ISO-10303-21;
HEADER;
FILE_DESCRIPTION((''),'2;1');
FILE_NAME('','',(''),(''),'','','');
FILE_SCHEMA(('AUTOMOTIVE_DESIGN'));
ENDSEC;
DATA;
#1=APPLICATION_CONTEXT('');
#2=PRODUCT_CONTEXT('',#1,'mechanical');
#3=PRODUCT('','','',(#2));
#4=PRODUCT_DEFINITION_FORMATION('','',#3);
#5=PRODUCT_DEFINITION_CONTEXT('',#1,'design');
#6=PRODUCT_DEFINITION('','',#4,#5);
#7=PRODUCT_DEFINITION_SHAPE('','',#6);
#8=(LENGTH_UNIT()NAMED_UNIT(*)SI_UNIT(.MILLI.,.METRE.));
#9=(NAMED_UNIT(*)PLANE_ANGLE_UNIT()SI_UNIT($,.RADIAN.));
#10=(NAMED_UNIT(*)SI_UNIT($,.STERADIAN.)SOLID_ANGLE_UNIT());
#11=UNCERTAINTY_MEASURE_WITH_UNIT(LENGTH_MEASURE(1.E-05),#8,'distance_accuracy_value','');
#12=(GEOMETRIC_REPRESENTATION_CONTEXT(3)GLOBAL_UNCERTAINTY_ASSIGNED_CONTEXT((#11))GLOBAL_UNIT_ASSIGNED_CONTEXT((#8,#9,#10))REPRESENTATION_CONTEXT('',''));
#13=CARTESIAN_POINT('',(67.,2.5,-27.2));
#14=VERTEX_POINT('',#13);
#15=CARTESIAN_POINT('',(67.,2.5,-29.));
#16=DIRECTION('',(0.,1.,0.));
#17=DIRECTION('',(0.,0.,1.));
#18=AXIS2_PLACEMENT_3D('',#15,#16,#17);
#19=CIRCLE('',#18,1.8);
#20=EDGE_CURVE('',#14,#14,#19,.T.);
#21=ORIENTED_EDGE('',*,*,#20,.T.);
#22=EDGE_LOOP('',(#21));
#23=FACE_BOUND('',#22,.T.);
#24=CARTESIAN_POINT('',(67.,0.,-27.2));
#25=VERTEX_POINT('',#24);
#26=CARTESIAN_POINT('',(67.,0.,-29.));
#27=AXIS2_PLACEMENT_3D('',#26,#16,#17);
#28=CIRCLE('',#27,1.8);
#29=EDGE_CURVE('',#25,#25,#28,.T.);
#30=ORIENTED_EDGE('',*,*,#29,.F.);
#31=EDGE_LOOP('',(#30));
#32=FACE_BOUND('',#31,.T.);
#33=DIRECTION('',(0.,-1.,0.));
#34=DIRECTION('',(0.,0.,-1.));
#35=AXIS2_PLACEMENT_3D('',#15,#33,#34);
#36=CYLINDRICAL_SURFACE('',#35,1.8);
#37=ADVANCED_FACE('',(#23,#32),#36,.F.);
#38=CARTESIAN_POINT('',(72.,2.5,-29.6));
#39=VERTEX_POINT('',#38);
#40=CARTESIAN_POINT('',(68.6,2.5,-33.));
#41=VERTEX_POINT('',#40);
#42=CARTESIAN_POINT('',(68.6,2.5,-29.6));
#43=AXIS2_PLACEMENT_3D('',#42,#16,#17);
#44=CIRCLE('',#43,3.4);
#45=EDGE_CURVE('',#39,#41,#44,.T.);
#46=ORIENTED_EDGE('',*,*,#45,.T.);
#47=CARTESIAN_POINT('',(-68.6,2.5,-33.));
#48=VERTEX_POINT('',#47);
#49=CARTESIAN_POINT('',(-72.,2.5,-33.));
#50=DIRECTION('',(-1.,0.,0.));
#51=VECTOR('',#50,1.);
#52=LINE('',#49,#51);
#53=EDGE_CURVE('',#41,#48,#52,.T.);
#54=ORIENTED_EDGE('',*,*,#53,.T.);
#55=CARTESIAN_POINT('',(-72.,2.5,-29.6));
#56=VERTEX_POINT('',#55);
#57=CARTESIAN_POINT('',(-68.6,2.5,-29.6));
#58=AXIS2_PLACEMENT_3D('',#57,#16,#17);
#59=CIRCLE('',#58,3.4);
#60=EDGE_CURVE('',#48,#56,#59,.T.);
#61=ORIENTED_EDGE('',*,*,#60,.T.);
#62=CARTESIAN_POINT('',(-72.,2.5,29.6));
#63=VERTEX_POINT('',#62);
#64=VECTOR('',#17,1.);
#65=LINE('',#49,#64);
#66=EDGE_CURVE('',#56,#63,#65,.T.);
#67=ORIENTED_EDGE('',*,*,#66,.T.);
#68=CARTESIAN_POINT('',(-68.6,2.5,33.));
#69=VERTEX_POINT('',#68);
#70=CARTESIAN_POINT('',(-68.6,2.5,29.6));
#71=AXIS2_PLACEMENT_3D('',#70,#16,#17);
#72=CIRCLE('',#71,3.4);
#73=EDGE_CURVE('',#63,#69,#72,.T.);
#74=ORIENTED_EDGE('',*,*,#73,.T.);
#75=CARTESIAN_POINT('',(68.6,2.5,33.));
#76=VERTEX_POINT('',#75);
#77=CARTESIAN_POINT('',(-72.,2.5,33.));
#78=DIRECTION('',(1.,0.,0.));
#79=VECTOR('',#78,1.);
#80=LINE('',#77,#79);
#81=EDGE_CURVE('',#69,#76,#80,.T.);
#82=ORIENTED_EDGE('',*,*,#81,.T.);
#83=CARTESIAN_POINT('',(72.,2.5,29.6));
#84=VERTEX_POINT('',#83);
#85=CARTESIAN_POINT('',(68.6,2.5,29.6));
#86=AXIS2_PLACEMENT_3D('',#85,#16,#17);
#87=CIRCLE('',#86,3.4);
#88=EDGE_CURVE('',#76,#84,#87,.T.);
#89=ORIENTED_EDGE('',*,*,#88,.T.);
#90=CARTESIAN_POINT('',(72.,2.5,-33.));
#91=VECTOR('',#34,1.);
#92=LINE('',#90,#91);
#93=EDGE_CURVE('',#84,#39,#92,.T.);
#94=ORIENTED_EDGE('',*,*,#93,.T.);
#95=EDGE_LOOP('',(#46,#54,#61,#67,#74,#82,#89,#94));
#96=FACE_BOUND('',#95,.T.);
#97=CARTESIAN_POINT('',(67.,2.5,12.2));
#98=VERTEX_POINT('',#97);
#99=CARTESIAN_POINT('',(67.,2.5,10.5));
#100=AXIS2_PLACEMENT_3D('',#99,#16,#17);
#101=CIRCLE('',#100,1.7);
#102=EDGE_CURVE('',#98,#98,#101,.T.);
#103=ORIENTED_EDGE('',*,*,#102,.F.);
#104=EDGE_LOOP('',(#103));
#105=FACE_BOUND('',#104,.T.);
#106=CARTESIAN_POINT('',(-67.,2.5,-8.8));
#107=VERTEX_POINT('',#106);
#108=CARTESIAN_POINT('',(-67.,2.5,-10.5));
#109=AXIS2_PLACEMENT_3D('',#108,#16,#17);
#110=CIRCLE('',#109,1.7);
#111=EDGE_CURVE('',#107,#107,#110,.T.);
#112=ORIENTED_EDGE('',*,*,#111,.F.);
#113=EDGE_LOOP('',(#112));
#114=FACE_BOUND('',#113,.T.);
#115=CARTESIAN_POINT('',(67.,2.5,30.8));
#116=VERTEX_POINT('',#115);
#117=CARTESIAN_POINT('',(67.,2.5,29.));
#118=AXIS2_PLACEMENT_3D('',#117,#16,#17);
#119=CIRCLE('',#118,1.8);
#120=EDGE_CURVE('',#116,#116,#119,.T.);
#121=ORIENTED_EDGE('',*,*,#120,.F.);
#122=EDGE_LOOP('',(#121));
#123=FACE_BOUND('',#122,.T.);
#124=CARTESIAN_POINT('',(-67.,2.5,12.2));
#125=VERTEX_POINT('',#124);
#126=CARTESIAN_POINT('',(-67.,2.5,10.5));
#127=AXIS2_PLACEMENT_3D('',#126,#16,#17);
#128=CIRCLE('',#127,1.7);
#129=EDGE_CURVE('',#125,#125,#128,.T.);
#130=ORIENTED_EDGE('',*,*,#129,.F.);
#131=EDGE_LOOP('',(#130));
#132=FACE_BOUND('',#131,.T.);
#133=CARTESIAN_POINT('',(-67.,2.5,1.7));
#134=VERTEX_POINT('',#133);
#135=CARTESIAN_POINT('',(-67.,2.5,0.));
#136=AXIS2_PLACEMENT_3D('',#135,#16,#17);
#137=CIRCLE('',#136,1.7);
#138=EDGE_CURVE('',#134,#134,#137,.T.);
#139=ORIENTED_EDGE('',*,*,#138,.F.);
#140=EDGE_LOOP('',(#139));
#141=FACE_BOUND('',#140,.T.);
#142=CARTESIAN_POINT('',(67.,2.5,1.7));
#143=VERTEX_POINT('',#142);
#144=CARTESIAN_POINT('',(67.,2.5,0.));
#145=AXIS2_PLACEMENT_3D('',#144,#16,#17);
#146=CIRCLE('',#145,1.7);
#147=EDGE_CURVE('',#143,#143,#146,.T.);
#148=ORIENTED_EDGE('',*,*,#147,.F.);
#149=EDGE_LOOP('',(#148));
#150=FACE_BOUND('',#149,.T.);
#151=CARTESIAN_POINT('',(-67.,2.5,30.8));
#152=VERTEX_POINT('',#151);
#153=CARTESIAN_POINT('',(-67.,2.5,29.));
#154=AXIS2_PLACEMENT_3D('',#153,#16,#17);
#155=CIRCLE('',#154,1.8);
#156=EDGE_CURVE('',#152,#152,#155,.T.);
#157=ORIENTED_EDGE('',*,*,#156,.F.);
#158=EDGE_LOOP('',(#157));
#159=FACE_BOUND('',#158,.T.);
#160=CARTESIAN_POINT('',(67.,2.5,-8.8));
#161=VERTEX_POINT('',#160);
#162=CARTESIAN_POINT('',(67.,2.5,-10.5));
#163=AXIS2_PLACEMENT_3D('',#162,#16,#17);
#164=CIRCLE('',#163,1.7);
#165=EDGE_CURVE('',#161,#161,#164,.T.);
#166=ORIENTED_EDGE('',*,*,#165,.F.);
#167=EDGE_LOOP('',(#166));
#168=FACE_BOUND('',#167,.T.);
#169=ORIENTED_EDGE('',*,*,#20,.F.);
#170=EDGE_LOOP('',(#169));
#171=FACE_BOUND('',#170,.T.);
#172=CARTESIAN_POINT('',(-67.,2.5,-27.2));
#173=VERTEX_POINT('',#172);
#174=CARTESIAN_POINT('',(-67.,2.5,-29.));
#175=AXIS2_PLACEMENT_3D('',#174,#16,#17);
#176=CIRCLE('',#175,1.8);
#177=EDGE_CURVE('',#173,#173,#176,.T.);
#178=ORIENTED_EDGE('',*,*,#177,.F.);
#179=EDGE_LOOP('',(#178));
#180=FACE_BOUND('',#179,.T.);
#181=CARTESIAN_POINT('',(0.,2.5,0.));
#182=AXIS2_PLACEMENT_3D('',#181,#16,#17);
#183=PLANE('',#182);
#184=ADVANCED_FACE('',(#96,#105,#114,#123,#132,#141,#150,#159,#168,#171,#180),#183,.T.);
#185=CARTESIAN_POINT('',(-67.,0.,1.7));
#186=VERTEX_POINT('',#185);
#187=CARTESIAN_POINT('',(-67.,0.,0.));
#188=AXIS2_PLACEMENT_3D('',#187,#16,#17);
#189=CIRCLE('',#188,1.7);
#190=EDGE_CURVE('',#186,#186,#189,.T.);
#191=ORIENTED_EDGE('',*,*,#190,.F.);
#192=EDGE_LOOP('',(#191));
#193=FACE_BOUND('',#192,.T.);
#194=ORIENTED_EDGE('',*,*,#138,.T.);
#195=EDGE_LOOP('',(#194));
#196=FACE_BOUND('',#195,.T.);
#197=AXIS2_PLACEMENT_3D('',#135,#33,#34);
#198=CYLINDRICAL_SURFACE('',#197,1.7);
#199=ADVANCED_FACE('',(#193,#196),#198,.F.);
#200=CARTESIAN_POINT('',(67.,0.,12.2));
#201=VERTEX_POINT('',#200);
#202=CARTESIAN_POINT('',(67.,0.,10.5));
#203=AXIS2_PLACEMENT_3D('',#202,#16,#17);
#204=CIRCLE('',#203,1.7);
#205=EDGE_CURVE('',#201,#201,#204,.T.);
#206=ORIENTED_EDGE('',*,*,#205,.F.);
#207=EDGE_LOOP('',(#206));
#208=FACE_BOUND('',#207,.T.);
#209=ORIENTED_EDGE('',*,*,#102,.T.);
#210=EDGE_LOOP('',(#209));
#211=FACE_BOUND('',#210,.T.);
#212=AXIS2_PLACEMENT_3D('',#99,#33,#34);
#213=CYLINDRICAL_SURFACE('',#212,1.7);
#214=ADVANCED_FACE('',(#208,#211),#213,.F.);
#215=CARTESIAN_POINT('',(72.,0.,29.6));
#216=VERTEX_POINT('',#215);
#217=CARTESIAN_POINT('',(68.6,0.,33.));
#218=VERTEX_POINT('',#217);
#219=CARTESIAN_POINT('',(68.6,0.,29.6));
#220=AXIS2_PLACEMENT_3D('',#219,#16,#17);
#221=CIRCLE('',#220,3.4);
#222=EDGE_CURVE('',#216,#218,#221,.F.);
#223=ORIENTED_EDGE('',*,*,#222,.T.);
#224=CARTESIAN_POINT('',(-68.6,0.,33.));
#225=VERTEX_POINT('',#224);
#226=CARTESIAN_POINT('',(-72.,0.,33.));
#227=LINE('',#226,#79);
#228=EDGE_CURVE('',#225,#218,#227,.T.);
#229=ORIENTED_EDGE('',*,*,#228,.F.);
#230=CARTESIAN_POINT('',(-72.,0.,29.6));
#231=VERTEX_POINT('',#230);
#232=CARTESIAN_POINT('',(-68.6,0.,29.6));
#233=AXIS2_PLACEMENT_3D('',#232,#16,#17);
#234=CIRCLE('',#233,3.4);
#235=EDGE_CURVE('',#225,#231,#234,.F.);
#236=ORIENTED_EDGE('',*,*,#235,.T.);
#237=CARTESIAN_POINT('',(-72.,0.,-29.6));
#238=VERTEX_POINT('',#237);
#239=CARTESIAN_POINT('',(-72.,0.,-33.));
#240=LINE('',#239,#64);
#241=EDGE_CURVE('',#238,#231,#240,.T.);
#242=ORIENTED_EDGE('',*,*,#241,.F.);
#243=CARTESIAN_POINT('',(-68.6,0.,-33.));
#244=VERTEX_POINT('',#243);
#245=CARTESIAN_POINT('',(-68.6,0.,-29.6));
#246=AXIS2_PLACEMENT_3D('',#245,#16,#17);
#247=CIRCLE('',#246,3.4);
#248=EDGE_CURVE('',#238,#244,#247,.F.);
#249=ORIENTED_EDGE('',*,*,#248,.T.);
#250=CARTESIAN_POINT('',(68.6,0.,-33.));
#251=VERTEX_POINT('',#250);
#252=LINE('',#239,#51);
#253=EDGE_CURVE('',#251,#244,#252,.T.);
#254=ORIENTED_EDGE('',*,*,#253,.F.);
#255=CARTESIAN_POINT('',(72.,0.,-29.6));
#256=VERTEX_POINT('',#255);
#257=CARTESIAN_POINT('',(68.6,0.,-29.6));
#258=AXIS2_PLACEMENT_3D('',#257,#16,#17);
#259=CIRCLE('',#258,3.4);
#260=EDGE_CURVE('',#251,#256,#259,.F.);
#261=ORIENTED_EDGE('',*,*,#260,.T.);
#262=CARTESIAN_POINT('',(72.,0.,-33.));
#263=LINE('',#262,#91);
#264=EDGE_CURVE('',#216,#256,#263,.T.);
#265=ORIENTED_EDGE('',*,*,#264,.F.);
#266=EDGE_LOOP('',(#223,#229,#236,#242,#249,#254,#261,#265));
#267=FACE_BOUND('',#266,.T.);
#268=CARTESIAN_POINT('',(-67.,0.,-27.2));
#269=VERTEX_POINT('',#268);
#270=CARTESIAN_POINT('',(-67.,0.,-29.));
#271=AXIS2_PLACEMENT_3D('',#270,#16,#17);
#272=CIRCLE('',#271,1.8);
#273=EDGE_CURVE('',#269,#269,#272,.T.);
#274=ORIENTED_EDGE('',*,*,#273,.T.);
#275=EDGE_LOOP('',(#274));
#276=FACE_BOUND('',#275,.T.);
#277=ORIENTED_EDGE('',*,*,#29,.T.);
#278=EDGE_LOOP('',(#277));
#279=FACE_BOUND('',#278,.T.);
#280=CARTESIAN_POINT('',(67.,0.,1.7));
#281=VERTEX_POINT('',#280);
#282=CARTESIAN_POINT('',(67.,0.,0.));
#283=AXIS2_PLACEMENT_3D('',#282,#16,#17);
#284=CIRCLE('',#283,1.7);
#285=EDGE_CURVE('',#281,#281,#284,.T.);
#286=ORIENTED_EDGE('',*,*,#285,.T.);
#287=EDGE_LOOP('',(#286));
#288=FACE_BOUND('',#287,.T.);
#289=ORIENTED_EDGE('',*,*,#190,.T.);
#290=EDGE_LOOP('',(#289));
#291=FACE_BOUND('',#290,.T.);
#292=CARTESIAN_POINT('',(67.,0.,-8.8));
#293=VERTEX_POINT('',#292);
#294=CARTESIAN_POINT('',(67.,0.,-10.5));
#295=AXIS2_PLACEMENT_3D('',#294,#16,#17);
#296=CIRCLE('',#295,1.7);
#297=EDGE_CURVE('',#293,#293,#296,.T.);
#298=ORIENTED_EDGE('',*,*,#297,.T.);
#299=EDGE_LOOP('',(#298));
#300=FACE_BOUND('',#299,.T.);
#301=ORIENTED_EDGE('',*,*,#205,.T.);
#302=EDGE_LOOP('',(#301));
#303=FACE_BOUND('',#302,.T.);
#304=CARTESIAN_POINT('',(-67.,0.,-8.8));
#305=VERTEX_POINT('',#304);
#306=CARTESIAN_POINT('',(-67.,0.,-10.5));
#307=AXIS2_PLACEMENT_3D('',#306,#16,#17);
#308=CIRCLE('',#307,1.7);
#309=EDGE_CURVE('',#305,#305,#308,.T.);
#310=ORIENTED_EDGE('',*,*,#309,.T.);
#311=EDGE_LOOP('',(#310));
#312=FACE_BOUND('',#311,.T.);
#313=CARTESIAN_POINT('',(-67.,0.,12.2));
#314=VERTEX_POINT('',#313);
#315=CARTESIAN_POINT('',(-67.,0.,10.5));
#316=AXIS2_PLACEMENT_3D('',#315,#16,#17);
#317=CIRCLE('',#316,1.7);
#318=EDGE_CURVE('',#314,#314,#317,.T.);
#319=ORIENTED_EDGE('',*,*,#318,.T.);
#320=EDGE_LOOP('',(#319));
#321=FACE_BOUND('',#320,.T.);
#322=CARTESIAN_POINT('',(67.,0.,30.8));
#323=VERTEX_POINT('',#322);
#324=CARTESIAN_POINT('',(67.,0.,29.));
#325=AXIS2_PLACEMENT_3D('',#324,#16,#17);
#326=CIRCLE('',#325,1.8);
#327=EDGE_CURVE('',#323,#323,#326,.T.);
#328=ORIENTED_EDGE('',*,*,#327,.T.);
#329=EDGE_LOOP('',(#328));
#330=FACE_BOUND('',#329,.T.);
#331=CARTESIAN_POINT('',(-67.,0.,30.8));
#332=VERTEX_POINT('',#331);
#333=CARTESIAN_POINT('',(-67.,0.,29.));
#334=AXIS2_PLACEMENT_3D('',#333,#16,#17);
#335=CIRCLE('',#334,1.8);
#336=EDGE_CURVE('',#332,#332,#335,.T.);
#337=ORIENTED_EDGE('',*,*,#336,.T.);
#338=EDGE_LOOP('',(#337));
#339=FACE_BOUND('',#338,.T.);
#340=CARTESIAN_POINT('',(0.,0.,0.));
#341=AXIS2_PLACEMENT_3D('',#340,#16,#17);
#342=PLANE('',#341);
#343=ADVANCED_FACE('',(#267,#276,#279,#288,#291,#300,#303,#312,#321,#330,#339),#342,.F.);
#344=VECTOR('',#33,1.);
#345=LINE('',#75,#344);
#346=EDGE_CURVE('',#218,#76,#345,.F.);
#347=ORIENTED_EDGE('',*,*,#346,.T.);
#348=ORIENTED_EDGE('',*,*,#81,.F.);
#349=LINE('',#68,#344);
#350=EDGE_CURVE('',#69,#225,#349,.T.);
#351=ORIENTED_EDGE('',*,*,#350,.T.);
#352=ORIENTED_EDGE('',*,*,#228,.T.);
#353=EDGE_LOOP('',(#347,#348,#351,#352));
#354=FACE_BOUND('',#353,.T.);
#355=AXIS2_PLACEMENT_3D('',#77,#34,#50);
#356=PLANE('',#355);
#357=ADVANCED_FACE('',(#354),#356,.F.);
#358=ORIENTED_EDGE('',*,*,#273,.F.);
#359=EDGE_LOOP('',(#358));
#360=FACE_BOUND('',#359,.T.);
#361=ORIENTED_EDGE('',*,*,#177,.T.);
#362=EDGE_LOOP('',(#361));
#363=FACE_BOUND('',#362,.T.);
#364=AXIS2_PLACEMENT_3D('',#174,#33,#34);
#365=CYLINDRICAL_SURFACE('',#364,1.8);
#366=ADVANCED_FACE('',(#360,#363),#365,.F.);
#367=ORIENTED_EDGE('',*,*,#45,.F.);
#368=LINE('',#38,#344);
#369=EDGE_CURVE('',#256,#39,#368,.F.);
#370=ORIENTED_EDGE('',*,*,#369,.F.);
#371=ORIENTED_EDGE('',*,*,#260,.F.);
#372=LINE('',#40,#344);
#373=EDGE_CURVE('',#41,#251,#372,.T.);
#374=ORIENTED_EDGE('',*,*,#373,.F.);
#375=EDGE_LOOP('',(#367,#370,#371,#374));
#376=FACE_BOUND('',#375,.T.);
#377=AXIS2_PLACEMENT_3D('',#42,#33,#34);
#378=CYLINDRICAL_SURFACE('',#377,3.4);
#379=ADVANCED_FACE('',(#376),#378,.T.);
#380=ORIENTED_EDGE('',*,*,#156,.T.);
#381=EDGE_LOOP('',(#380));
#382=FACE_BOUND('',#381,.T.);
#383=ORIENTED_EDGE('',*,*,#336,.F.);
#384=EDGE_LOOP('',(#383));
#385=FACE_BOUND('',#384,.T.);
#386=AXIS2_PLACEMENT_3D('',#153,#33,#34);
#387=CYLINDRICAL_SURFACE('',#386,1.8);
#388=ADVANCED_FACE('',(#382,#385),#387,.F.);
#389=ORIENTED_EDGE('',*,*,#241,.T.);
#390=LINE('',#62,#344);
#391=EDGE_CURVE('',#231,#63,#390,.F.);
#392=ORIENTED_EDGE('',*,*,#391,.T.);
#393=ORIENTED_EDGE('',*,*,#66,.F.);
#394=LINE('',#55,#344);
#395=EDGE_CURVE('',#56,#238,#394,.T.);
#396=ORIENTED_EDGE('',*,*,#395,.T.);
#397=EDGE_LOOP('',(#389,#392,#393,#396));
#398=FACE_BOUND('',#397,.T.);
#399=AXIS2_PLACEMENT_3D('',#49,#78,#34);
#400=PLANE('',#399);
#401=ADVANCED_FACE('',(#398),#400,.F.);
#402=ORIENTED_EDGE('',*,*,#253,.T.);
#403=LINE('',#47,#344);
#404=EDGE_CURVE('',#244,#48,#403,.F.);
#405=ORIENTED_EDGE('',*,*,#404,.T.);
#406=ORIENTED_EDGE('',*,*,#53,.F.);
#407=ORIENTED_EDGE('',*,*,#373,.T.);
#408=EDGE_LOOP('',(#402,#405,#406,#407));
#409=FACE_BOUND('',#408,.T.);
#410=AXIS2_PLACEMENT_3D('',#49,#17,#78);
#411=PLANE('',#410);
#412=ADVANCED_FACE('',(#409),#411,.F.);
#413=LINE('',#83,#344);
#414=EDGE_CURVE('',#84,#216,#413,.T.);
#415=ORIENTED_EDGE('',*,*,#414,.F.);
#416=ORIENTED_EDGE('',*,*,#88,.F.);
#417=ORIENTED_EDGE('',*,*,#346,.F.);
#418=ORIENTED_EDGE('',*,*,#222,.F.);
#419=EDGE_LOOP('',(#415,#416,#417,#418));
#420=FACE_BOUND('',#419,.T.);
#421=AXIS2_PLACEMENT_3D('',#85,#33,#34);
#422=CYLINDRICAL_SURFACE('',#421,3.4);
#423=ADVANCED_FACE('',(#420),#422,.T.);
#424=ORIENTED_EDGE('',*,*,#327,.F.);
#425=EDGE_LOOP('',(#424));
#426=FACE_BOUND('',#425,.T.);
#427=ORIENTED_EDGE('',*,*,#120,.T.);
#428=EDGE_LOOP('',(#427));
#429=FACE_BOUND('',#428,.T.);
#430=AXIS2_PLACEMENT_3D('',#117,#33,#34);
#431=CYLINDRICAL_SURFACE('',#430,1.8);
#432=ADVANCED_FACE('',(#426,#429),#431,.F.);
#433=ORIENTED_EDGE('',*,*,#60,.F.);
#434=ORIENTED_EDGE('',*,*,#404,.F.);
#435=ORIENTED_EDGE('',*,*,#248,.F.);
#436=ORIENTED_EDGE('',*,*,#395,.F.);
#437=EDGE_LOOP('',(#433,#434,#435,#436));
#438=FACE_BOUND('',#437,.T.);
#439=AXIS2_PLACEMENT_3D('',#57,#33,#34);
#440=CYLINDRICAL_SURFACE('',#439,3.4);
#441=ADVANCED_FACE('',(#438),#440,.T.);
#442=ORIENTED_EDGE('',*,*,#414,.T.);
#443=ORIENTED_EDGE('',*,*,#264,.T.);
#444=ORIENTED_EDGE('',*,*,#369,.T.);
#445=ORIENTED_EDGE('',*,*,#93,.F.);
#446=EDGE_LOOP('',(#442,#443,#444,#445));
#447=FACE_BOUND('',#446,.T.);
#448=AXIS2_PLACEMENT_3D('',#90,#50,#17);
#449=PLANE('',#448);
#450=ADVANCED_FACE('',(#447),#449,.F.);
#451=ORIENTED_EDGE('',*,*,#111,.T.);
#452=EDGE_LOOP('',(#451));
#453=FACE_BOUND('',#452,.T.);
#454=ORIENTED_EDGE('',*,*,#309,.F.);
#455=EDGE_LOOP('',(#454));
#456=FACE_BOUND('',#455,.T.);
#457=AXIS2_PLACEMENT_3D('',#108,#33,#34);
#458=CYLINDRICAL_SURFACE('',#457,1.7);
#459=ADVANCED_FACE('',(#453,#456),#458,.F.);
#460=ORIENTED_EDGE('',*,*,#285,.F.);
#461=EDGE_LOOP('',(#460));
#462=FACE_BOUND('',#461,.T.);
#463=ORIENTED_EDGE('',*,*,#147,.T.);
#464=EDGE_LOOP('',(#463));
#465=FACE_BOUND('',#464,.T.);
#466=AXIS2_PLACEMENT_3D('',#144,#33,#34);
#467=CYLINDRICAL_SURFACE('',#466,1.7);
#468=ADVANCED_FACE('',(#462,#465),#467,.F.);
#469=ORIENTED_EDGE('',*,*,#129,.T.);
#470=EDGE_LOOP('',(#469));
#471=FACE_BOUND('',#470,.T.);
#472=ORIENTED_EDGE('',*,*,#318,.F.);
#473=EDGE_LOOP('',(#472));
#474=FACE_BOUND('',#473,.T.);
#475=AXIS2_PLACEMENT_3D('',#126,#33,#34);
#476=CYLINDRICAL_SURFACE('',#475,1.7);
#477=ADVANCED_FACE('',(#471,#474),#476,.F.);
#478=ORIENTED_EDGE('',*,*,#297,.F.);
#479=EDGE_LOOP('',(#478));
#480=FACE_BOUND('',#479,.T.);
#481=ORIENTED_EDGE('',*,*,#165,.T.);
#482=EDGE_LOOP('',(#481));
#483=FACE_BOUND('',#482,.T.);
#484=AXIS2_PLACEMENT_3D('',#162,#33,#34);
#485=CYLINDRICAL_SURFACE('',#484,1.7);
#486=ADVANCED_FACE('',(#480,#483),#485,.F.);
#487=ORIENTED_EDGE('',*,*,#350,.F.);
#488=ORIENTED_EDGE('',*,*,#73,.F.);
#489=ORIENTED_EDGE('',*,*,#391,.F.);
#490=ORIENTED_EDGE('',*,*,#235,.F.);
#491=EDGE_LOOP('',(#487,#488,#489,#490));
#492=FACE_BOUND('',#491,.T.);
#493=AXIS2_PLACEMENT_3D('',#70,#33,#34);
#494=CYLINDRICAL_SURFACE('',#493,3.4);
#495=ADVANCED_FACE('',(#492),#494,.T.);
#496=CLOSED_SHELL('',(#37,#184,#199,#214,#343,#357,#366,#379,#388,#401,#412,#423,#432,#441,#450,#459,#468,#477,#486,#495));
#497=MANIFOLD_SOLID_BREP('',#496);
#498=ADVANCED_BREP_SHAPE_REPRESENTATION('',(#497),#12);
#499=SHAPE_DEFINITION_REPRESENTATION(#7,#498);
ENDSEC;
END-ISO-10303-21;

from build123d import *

# Parameters (mm, degrees)
SKETCH_1_W      = 144
SKETCH_1_H      = 66
SKETCH_1_R      = 1.8
SKETCH_1_R_2    = 1.7
EXTRUDE_1_DEPTH = 2.5
FILLET_1_R      = 3.4


with BuildPart() as part:
    # 草图1 → 凸台-拉伸1 (new body)
    with BuildSketch(Plane(origin=(0, 0, 0), x_dir=(1, 0, 0), z_dir=(0, 1, 0))):
        Rectangle(SKETCH_1_W, SKETCH_1_H)
        with Locations(Location((-67, 29, 0), (0, 0, 270))):
            Circle(SKETCH_1_R, mode=Mode.SUBTRACT)
        with Locations(Location((67, 29, 0), (0, 0, 270))):
            Circle(SKETCH_1_R, mode=Mode.SUBTRACT)
        with Locations(Location((-67, -29, 0), (0, 0, 270))):
            Circle(SKETCH_1_R, mode=Mode.SUBTRACT)
        with Locations(Location((67, -29, 0), (0, 0, 270))):
            Circle(SKETCH_1_R, mode=Mode.SUBTRACT)
        with Locations(Location((-67, 0, 0), (0, 0, 270))):
            Circle(SKETCH_1_R_2, mode=Mode.SUBTRACT)
        with Locations(Location((-67, 10.5, 0), (0, 0, 270))):
            Circle(SKETCH_1_R_2, mode=Mode.SUBTRACT)
        with Locations(Location((-67, -10.5, 0), (0, 0, 270))):
            Circle(SKETCH_1_R_2, mode=Mode.SUBTRACT)
        with Locations(Location((67, 0, 0), (0, 0, 270))):
            Circle(SKETCH_1_R_2, mode=Mode.SUBTRACT)
        with Locations(Location((67, 10.5, 0), (0, 0, 270))):
            Circle(SKETCH_1_R_2, mode=Mode.SUBTRACT)
        with Locations(Location((67, -10.5, 0), (0, 0, 270))):
            Circle(SKETCH_1_R_2, mode=Mode.SUBTRACT)
    extrude(amount=EXTRUDE_1_DEPTH)

    # 圆角1
    fillet_1_edges = [part.edges().sort_by_distance(p)[0] for p in [
        (72, 1.25, 33),
        (-72, 1.25, 33),
        (-72, 1.25, -33),
        (72, 1.25, -33),
    ]]
    fillet(fillet_1_edges, radius=FILLET_1_R)


solid = part.part
